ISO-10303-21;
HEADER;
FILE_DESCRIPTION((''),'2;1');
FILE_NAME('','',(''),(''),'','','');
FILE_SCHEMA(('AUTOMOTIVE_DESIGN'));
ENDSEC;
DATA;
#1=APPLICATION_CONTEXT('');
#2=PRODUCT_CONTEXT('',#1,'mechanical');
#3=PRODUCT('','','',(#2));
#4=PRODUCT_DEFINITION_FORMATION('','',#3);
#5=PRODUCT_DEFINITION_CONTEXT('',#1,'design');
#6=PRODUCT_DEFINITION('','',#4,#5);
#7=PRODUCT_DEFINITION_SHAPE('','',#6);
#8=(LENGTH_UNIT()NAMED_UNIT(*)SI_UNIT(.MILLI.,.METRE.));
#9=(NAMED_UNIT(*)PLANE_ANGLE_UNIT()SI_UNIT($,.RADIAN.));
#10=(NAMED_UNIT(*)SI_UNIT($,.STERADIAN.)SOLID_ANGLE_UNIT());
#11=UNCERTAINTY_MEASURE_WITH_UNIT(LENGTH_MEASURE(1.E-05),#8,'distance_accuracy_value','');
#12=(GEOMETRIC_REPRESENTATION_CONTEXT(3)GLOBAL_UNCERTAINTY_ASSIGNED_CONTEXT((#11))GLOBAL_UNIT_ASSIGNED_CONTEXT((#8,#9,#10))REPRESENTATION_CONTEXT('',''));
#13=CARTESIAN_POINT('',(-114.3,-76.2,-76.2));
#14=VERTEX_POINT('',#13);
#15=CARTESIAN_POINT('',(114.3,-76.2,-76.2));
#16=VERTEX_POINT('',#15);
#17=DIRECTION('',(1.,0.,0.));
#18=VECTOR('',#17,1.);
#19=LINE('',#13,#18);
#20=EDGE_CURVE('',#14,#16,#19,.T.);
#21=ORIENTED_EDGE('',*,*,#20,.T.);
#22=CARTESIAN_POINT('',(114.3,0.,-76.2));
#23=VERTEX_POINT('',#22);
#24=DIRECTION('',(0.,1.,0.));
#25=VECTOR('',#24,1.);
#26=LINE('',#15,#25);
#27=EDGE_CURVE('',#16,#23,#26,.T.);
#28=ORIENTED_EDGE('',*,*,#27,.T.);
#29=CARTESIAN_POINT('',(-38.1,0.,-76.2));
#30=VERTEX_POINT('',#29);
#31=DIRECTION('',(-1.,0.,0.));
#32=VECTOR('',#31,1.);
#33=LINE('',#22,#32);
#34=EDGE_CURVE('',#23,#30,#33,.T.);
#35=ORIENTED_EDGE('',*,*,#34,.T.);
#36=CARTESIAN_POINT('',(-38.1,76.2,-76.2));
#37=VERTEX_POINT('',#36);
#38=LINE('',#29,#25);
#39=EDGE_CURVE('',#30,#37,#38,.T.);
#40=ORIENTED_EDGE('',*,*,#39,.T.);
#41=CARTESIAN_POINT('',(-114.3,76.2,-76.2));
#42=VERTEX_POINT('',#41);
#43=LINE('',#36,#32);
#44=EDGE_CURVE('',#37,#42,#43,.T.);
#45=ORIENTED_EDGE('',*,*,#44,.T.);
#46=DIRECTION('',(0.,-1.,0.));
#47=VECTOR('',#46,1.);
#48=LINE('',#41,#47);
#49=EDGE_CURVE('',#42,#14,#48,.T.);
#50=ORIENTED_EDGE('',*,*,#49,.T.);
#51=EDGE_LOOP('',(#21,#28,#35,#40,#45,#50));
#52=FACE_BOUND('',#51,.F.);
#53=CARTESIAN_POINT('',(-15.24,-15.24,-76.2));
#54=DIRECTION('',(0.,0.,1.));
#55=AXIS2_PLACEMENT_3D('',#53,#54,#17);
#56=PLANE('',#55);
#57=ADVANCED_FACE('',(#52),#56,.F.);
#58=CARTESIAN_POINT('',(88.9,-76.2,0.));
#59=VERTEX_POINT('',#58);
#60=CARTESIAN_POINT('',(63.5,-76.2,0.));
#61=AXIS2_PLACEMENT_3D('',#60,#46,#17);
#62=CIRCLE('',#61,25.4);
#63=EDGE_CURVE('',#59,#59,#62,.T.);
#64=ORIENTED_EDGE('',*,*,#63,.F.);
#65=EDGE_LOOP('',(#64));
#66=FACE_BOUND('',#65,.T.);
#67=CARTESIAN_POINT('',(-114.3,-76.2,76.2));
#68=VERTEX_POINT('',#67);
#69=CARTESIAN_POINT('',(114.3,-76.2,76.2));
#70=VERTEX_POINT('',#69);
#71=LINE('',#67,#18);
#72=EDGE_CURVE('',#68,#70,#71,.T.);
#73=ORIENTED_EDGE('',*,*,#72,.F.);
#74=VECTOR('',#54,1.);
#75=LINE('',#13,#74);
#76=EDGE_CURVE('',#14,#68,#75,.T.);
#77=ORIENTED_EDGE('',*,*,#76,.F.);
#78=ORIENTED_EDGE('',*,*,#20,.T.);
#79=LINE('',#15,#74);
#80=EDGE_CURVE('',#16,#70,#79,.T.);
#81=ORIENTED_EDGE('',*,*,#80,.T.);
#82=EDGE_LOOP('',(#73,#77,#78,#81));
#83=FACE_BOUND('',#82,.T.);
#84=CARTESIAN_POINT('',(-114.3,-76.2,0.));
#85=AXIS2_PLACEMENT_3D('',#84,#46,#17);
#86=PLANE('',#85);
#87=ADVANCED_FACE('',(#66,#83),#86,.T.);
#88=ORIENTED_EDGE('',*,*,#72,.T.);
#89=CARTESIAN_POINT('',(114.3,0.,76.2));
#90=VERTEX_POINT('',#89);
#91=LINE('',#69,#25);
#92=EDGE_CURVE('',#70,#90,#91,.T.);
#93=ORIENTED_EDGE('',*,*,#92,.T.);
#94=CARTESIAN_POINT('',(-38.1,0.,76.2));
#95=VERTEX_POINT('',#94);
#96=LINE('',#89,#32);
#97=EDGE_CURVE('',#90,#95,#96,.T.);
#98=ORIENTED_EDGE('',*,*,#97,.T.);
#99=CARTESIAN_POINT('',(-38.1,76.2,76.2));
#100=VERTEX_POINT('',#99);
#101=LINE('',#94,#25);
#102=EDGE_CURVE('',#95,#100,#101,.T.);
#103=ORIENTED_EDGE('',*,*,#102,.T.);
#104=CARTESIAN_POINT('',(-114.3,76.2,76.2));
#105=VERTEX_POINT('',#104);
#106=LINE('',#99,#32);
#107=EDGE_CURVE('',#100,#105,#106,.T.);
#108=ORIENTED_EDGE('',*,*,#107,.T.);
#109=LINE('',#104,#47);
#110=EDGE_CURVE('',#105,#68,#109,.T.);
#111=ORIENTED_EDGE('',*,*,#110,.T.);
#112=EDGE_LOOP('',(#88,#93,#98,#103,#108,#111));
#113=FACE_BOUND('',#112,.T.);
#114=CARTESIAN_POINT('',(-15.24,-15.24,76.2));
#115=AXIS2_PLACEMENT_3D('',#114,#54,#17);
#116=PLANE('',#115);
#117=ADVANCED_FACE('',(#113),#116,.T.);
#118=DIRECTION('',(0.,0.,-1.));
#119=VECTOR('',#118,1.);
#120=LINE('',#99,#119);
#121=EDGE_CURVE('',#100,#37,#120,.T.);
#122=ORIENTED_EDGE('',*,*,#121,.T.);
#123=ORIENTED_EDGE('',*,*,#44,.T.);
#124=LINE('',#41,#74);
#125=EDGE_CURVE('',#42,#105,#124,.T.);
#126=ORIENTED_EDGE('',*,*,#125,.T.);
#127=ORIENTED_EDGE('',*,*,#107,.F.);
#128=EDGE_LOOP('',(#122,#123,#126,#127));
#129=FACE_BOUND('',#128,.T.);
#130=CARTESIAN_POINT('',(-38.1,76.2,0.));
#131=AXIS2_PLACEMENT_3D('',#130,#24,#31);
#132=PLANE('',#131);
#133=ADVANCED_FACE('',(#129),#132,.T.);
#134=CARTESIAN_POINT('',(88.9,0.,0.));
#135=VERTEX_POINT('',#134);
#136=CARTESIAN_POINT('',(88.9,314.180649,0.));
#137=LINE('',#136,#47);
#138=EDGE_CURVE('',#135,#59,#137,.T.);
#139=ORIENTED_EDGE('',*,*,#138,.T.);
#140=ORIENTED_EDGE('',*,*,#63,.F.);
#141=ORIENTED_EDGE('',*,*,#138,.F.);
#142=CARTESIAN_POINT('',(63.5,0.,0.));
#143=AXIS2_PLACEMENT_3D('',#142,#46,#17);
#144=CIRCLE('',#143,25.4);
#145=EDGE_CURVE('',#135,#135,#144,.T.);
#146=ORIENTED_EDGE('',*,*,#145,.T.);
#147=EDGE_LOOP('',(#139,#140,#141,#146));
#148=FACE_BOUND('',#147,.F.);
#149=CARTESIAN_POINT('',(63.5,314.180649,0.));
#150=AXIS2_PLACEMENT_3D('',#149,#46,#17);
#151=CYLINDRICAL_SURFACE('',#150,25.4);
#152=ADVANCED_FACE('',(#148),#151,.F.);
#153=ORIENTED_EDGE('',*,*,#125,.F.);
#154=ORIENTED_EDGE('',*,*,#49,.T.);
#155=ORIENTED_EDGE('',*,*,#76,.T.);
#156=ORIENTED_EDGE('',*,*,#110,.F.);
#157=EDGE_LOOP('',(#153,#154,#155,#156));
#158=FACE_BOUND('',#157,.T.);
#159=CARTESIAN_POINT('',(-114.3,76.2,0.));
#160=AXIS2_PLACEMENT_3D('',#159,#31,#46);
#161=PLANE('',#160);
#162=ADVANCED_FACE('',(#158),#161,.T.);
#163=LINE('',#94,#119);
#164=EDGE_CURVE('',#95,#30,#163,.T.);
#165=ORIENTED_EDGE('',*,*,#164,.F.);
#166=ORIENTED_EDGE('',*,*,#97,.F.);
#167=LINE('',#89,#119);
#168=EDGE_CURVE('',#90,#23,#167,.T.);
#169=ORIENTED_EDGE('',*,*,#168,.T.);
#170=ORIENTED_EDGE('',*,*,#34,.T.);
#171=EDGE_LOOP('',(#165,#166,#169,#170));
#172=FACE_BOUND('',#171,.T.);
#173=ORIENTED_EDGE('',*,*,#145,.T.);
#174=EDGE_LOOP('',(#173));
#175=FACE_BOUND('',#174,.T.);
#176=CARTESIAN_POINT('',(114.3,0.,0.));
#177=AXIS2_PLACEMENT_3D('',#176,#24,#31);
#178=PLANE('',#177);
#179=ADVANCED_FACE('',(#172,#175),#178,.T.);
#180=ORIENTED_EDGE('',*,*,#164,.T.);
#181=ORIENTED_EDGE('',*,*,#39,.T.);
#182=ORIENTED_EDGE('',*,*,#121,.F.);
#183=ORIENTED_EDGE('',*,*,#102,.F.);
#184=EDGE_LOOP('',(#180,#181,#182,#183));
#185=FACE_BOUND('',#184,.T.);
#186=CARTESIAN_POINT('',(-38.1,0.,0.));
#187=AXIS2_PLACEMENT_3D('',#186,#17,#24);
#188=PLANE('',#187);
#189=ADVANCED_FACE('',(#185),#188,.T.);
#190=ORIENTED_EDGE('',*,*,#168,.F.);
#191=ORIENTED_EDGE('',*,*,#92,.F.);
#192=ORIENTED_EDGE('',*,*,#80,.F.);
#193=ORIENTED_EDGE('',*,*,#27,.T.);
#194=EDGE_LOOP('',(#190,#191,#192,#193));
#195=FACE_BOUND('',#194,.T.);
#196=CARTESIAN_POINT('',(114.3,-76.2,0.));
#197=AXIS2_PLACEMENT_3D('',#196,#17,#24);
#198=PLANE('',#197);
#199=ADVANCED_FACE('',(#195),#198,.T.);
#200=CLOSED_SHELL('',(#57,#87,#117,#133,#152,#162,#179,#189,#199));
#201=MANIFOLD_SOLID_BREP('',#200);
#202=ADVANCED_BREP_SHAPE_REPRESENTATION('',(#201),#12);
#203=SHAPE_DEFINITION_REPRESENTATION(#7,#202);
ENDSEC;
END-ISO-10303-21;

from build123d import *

# Parameters (mm, degrees)
F1_DEPTH = 76.2
F3_D     = 50.8


with BuildPart() as f1:
    # F0 (on Top) → F1 (new body, symmetric)
    with BuildSketch(Plane.XY):
        Polygon((-38.1, 76.2), (-114.3, 76.2), (-114.3, -76.2), (114.3, -76.2), (114.3, 0), (-38.1, 0), align=None)
    extrude(amount=F1_DEPTH, both=True)

    # F3 (through all)
    with Locations(Plane(origin=(0, 0, 0), x_dir=(-1, 0, 0), z_dir=(0, 1, 0))):
        with Locations((-63.5, 0)):
            Hole(F3_D / 2)


solid = f1.part
